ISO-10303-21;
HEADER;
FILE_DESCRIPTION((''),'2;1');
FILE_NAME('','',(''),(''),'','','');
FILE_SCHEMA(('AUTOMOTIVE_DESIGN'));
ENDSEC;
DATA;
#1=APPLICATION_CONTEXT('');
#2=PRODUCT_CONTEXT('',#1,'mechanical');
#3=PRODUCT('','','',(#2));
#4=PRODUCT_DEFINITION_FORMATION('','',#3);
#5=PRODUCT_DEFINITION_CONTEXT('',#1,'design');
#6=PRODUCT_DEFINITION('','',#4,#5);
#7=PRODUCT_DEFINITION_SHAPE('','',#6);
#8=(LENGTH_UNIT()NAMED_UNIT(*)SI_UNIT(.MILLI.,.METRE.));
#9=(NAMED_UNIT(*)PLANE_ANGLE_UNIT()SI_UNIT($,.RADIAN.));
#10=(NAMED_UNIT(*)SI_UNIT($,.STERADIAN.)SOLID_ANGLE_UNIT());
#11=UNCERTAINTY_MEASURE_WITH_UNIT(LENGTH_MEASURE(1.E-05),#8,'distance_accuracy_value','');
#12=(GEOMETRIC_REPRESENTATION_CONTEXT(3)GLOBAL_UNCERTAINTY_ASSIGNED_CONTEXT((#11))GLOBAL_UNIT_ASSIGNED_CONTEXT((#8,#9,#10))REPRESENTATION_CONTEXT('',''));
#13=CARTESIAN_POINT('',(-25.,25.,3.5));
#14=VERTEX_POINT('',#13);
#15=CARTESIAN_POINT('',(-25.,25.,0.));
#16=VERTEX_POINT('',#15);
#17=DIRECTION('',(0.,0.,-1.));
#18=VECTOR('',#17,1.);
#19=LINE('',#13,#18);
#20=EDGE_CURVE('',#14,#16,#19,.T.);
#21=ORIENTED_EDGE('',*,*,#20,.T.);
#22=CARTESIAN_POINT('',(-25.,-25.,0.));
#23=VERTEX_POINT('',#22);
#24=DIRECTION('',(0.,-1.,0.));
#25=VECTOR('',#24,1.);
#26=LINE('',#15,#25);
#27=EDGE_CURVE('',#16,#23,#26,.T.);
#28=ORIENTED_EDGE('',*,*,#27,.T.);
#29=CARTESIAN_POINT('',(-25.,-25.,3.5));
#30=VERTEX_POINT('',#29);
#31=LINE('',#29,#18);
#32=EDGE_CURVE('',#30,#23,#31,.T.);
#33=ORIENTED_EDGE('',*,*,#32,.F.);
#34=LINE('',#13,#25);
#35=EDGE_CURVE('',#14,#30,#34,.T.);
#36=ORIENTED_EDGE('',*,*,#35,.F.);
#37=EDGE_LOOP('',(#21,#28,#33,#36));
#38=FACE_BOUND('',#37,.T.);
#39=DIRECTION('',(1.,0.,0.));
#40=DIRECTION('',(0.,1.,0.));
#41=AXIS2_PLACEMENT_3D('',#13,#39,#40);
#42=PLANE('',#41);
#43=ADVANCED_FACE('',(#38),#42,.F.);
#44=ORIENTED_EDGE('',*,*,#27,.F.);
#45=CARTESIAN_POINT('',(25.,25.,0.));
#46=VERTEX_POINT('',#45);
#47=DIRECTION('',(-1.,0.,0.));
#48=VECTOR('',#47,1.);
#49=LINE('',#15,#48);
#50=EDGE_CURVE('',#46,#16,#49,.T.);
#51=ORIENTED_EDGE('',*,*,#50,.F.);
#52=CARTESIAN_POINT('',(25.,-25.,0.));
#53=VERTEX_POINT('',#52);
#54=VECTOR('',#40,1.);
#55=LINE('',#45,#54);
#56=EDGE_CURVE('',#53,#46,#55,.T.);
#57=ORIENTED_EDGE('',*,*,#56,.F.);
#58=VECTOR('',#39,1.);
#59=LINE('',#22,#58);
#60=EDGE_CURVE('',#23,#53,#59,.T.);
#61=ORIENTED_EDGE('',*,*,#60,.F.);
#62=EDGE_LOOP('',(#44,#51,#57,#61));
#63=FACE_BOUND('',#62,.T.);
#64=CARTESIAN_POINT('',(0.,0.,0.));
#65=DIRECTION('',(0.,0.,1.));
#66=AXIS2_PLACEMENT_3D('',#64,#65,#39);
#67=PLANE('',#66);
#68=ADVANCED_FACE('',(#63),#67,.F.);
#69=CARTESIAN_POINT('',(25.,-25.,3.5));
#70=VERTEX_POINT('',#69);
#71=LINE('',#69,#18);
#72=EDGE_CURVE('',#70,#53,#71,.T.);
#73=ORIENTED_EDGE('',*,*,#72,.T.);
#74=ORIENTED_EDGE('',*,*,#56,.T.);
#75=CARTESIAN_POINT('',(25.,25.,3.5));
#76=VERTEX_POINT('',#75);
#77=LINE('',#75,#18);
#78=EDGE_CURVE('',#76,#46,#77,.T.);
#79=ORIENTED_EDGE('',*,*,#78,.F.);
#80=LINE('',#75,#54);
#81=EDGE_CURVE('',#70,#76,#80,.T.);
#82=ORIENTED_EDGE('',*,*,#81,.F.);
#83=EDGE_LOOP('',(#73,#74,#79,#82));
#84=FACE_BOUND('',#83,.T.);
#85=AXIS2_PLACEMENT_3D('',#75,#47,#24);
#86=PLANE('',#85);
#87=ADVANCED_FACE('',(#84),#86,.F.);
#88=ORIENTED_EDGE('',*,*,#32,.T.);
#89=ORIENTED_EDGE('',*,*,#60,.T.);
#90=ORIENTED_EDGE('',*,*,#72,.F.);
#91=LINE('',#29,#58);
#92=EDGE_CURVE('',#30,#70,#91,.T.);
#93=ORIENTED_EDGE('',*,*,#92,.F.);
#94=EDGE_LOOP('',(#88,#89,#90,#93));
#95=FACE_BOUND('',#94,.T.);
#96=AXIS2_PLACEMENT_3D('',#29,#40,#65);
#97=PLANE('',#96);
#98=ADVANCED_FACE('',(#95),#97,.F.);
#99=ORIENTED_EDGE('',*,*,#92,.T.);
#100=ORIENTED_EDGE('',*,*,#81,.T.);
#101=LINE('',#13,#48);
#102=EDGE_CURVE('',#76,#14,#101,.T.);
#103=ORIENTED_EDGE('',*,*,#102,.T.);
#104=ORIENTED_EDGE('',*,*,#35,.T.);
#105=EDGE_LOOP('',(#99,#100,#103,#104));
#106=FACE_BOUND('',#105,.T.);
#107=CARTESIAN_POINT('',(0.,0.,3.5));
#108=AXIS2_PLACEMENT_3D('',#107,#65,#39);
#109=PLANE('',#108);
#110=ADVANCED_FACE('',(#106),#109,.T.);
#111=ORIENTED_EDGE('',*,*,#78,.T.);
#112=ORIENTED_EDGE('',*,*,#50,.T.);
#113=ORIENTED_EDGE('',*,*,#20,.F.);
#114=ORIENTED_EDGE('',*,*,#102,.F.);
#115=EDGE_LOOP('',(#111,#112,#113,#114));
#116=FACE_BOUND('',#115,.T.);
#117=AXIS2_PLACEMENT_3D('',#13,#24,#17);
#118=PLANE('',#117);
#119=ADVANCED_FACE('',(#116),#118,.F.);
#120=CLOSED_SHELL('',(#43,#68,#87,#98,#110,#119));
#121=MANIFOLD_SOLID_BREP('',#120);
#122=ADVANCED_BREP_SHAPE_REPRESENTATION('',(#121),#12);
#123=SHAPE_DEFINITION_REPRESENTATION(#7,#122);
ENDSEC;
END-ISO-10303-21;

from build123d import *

# Parameters (mm, degrees)
SKETCH_1_W      = 50
SKETCH_1_H      = 50
EXTRUDE_1_DEPTH = 3.5


with BuildPart() as part:
    # Эскиз1 → Бобышка-Вытянуть1 (new body)
    with BuildSketch(Plane.XY):
        Rectangle(SKETCH_1_W, SKETCH_1_H)
    extrude(amount=EXTRUDE_1_DEPTH)


solid = part.part
